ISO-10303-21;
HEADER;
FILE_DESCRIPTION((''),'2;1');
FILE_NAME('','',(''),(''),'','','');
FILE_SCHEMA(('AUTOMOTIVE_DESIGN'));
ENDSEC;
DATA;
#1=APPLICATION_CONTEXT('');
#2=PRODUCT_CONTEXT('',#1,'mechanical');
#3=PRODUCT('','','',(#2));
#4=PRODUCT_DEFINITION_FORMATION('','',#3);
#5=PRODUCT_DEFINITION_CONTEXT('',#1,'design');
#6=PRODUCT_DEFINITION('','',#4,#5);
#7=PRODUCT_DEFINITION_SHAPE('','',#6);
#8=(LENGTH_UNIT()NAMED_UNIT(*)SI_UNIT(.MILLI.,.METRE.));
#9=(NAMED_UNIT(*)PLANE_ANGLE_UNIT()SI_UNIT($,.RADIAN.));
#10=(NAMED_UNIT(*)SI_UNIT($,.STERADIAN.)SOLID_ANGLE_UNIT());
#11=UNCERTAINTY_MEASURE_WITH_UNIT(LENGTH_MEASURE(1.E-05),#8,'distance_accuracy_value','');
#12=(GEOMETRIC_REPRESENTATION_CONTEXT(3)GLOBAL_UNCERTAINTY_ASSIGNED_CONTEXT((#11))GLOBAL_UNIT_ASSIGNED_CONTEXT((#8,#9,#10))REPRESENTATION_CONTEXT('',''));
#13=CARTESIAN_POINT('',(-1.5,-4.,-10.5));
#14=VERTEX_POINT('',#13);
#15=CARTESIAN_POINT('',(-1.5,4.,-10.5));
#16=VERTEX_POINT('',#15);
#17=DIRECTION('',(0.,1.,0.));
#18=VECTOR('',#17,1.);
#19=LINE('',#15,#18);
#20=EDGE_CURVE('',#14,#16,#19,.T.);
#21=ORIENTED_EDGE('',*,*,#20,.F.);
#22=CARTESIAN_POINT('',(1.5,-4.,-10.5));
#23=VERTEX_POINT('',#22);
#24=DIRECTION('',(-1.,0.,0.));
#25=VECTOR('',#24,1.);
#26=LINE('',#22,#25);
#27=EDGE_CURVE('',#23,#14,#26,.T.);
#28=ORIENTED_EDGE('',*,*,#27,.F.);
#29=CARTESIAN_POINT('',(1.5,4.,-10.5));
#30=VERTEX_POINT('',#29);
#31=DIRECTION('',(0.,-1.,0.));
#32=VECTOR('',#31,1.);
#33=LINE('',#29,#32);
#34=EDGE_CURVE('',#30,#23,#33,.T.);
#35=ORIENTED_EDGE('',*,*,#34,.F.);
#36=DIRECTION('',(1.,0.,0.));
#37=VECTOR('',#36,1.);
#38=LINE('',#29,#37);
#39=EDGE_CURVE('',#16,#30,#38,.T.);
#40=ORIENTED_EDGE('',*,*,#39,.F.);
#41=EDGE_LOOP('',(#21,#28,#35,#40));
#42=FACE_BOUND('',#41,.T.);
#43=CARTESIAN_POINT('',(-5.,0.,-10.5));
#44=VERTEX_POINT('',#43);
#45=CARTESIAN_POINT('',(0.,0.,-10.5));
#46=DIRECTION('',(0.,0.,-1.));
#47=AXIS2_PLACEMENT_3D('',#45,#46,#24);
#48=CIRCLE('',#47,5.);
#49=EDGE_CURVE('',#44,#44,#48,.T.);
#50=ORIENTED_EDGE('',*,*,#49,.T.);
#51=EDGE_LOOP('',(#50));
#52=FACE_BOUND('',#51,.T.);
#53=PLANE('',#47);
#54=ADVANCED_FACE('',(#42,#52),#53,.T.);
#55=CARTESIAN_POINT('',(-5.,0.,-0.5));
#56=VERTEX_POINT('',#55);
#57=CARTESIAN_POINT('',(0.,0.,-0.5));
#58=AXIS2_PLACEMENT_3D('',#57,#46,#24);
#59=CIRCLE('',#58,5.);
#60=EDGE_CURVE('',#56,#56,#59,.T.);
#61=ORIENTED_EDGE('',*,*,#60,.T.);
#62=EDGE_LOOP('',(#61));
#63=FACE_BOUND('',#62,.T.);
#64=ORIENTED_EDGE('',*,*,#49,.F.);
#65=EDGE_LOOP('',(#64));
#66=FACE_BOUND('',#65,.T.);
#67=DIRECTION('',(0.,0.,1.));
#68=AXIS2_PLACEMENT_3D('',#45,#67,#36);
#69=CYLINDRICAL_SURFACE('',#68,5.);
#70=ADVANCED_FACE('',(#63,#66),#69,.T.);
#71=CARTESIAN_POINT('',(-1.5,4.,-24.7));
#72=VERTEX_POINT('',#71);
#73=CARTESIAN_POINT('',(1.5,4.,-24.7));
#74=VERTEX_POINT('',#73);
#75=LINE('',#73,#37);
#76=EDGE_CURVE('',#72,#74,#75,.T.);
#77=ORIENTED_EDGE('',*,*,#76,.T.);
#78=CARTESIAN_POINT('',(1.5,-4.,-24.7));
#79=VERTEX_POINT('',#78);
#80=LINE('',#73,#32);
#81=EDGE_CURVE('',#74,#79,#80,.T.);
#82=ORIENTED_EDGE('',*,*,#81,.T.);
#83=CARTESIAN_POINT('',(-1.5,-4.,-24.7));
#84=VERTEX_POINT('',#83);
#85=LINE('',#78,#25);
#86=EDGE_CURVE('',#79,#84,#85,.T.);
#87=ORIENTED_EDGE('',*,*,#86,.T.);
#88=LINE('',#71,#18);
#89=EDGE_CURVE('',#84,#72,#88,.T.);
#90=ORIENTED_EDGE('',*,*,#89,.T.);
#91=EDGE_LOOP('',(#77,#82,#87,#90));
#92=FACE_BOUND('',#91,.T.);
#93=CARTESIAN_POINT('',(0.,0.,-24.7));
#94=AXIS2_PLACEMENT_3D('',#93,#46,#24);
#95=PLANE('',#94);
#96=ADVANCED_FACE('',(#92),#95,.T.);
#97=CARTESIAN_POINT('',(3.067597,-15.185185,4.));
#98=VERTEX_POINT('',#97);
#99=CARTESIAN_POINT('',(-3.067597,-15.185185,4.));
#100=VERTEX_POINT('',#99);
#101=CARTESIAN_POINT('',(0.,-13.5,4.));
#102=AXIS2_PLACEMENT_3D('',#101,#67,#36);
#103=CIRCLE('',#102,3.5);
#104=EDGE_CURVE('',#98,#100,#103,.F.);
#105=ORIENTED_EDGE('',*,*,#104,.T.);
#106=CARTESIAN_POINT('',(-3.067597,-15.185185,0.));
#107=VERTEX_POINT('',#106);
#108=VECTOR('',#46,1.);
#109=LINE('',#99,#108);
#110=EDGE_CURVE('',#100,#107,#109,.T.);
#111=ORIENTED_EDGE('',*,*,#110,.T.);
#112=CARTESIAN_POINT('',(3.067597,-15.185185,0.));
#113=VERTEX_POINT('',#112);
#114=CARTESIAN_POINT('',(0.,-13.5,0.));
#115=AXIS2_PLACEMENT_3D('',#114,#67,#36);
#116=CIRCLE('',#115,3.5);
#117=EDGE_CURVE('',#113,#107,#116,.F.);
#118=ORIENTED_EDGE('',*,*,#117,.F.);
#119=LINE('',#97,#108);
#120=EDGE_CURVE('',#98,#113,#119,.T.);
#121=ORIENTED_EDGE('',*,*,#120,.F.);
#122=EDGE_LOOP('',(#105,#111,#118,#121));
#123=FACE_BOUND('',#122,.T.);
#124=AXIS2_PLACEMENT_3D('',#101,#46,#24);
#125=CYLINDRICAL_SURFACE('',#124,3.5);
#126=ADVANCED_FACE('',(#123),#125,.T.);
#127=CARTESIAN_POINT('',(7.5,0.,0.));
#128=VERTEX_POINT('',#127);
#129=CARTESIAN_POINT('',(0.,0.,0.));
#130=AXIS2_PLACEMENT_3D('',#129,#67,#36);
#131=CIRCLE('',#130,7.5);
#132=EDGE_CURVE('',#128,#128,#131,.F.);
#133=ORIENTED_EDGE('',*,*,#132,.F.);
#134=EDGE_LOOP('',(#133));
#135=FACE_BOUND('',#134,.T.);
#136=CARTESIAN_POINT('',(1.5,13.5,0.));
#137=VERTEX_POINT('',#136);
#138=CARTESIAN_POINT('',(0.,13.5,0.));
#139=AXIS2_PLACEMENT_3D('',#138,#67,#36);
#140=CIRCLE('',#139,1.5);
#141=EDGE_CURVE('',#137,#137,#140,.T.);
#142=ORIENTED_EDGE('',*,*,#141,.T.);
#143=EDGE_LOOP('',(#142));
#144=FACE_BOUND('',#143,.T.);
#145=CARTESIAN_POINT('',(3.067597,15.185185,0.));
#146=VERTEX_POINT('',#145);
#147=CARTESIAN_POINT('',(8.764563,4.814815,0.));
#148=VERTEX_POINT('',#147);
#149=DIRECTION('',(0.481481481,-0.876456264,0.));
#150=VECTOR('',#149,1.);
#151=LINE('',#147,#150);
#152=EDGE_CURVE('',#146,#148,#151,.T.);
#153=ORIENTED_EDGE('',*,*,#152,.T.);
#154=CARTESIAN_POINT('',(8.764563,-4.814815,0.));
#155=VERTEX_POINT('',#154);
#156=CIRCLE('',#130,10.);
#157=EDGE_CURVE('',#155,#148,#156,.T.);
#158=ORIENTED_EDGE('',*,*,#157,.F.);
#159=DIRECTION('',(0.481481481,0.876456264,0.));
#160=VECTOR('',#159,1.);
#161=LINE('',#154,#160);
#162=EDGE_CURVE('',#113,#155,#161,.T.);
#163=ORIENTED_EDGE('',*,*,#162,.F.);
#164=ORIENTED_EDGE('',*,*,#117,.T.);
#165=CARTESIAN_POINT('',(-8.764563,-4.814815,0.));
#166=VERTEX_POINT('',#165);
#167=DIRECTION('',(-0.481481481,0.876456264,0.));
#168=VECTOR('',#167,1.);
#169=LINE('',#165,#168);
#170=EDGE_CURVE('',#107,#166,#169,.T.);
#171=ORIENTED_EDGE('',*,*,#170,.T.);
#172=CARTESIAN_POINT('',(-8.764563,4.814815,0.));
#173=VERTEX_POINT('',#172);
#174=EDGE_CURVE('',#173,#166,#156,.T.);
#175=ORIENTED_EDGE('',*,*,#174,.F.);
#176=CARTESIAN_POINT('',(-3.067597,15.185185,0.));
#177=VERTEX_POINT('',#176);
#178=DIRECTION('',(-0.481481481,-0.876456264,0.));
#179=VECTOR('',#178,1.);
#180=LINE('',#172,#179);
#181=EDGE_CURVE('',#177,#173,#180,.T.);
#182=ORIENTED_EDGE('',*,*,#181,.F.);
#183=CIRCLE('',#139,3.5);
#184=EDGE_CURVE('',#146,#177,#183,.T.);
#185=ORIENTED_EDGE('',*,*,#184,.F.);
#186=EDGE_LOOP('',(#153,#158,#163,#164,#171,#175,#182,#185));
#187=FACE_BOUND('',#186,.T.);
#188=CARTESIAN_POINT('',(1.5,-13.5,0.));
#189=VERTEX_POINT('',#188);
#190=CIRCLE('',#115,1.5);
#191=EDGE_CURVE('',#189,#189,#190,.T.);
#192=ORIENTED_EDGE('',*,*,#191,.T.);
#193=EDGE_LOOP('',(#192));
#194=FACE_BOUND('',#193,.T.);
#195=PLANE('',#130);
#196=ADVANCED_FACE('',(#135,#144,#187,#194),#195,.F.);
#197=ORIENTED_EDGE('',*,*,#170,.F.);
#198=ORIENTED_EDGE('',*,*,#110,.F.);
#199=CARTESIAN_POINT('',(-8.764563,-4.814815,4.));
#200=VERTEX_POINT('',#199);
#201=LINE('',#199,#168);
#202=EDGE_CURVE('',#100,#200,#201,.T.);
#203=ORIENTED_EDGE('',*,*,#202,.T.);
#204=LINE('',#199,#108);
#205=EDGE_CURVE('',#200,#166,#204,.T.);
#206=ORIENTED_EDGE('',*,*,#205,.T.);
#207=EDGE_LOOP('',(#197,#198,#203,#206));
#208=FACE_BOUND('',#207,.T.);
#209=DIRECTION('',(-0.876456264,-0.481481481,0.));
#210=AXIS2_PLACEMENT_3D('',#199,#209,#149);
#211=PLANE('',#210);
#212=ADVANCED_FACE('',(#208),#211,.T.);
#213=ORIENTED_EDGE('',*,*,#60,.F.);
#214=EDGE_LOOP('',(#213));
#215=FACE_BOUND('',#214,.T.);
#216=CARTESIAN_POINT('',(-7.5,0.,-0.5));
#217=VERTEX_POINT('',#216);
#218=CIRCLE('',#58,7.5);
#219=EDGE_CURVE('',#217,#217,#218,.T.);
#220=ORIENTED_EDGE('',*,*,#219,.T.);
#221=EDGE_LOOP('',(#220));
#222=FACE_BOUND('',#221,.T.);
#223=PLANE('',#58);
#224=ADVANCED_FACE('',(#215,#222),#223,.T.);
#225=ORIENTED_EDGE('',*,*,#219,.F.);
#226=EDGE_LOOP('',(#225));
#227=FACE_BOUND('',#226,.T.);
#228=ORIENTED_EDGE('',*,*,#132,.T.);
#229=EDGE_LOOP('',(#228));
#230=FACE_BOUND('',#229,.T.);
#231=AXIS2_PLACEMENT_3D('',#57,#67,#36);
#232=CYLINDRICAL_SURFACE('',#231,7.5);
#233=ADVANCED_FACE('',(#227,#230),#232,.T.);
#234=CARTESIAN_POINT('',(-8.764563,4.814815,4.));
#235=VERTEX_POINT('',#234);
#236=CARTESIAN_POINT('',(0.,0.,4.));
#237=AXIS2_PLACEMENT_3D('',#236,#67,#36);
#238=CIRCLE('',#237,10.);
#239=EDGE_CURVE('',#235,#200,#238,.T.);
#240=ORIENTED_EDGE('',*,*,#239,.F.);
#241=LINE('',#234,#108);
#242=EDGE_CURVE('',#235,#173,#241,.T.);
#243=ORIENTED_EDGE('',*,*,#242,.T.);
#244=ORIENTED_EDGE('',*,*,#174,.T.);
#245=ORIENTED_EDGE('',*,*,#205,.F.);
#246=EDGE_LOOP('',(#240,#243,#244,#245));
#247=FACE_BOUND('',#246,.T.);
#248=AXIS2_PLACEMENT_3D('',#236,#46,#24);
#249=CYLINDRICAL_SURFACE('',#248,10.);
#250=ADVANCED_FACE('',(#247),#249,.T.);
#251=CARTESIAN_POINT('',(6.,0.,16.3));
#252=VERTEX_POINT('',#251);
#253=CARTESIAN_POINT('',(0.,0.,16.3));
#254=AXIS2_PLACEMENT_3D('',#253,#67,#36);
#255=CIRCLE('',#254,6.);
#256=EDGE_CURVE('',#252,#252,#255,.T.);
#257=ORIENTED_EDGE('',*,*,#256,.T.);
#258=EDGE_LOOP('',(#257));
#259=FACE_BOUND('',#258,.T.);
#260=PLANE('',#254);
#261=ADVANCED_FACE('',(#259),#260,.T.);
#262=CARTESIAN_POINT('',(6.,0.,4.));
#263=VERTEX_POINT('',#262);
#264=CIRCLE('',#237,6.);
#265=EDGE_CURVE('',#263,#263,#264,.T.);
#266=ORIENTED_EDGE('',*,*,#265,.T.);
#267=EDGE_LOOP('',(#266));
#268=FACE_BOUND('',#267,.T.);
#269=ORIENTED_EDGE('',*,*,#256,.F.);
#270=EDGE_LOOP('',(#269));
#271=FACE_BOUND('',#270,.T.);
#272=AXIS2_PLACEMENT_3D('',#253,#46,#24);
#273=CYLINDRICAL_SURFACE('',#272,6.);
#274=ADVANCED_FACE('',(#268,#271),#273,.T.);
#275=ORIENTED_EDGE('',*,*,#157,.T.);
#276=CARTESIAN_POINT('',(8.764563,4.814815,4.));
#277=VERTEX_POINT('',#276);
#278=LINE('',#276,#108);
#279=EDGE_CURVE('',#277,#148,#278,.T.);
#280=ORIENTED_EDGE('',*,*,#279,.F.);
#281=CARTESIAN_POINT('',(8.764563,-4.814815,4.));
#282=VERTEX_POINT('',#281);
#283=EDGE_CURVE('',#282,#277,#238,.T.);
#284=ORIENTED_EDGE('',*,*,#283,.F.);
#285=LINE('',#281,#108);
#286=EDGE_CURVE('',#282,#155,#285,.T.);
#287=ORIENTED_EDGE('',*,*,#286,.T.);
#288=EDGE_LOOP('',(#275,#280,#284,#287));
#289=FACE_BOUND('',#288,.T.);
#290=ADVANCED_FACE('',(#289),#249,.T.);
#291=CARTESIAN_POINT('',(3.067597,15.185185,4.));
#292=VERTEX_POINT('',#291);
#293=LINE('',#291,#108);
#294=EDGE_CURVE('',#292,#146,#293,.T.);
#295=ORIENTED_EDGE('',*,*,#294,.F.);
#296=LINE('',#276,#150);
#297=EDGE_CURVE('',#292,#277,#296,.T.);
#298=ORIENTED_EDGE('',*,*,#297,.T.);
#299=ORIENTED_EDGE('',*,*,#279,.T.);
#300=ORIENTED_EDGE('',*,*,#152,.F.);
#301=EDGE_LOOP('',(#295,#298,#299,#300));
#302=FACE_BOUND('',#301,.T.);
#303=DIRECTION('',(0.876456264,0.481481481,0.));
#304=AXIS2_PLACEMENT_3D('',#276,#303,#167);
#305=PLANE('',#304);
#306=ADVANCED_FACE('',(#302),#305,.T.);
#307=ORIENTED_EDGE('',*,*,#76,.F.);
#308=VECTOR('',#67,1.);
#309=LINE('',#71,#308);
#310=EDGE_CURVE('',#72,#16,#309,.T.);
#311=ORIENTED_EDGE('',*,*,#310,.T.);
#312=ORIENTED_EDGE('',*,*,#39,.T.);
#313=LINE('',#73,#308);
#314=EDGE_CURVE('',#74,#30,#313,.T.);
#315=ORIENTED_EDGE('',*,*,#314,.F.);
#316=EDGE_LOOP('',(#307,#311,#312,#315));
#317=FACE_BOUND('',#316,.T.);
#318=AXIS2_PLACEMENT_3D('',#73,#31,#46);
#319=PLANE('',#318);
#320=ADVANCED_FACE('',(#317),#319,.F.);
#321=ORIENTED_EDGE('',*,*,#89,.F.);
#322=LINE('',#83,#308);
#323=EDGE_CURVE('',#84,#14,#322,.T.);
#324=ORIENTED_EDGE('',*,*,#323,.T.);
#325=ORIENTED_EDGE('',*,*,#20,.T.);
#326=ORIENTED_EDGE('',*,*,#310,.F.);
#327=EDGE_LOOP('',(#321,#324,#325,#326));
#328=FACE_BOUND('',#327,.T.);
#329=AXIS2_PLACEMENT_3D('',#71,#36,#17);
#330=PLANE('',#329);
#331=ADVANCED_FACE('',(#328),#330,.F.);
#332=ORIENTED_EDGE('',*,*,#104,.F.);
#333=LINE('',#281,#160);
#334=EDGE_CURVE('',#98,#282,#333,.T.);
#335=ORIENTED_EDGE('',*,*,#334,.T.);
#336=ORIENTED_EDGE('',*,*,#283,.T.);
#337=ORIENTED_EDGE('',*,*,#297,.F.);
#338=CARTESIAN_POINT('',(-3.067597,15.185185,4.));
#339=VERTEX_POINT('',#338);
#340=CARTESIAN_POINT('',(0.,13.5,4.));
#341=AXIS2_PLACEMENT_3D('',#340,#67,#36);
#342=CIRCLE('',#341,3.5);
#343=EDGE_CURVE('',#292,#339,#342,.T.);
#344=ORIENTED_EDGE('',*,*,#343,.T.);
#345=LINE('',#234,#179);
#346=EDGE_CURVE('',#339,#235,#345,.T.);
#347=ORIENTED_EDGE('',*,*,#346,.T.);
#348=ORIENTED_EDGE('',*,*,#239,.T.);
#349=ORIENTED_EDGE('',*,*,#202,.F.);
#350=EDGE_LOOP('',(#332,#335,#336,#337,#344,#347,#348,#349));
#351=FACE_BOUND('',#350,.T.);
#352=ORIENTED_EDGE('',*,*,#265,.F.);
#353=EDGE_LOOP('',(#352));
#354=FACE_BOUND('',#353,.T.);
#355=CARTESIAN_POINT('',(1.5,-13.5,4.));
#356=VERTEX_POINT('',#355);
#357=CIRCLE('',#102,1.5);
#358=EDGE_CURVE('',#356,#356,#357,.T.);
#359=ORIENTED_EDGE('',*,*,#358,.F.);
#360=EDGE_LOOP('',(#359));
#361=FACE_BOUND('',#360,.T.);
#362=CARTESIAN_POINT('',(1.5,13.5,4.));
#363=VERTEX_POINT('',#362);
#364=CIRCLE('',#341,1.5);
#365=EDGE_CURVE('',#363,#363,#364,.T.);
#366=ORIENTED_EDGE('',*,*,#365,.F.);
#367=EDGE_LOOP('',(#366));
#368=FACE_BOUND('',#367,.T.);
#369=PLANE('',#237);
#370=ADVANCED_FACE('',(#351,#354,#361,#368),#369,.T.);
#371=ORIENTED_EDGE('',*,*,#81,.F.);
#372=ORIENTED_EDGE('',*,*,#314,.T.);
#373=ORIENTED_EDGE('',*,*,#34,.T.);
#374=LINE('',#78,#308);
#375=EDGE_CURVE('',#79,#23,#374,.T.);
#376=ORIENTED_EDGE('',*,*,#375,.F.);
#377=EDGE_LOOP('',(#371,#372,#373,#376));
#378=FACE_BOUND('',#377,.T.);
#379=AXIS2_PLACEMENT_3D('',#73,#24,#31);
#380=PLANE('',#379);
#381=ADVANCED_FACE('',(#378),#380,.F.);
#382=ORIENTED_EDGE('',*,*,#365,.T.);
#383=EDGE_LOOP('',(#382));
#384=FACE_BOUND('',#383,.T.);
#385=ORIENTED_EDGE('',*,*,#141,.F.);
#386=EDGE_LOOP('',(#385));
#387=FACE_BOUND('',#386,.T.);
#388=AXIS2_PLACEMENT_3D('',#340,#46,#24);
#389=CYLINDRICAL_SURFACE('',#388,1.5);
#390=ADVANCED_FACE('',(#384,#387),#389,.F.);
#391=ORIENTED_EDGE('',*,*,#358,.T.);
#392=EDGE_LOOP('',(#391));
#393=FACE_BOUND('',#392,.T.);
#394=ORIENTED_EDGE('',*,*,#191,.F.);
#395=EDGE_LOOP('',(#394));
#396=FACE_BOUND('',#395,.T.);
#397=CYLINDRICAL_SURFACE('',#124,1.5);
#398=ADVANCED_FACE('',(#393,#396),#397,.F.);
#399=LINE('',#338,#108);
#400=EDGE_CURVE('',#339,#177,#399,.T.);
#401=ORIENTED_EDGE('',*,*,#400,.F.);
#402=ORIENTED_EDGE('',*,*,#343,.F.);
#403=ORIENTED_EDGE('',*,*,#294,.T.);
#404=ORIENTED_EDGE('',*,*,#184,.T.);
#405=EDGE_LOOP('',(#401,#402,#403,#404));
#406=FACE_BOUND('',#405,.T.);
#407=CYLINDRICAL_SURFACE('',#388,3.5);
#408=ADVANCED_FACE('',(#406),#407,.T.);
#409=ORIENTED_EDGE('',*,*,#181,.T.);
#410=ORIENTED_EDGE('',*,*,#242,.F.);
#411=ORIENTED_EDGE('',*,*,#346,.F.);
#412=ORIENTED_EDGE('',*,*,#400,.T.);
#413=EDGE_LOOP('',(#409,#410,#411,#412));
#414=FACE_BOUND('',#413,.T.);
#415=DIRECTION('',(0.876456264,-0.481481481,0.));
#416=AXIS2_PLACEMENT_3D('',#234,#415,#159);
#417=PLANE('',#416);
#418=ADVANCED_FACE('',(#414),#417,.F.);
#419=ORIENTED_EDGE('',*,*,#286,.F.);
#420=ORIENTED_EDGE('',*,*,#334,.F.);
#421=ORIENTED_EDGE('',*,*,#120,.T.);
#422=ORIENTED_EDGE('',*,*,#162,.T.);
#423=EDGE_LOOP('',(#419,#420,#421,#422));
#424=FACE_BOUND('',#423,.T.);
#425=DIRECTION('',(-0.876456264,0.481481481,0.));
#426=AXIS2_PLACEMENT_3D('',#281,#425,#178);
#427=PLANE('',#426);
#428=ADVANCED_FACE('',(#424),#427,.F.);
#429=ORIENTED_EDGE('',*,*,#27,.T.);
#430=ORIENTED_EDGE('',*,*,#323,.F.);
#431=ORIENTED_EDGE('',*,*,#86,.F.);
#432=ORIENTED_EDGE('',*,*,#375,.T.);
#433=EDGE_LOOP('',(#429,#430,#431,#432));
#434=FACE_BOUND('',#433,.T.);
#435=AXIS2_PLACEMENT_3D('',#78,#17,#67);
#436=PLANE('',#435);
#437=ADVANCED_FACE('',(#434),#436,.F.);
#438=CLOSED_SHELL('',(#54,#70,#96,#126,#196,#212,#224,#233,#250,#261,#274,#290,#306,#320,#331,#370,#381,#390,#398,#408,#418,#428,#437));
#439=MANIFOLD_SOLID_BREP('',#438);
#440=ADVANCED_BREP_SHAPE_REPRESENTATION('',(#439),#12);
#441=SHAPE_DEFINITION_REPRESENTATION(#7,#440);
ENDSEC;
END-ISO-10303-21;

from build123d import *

# Parameters (mm, degrees)
SKETCH1_R           = 3.5
SKETCH1_R_2         = 1.5
SKETCH1_R_3         = 10
BOSS_EXTRUDE1_DEPTH = 4
SKETCH2_R           = 6
BOSS_EXTRUDE2_DEPTH = 12.3
SKETCH3_R           = 7.5
BOSS_EXTRUDE3_DEPTH = 0.5
SKETCH4_W           = 3
SKETCH4_H           = 8
BOSS_EXTRUDE4_DEPTH = 24.2
SKETCH5_R           = 5
BOSS_EXTRUDE5_DEPTH = 10


with BuildPart() as part:
    # Sketch1 → Boss-Extrude1 (new body)
    # profile 1 of 7: a face of its own
    with BuildSketch(Plane.XY):
        with Locations((0, -13.5)):
            Circle(SKETCH1_R)
        with Locations((0, -13.5)):
            Circle(SKETCH1_R_2, mode=Mode.SUBTRACT)
    # profile 2 of 7: a face of its own
    with BuildSketch(Plane.XY):
        with BuildLine():
            ThreePointArc((8.764562642, -4.814814815), (5.091750776, -8.606629656), (9e-09, -10))
            ThreePointArc((9e-09, -10), (2.474873737, -11.025126269), (3.5, -13.5))
            ThreePointArc((3.5, -13.5), (3.390176193, -14.369888143), (3.067596925, -15.185185185))
            Line((3.067596925, -15.185185185), (8.764562642, -4.814814815))
        make_face()
    # profile 3 of 7: a face of its own
    with BuildSketch(Plane.XY):
        Circle(SKETCH1_R_3)
    # profile 4 of 7: a face of its own
    with BuildSketch(Plane.XY):
        with BuildLine():
            Line((8.764562642, 4.814814815), (3.067596925, 15.185185185))
            ThreePointArc((3.067596925, 15.185185185), (3.390176193, 14.369888143), (3.5, 13.5))
            ThreePointArc((3.5, 13.5), (2.474873734, 11.025126266), (0, 10))
            ThreePointArc((0, 10), (5.091750772, 8.606629658), (8.764562642, 4.814814815))
        make_face()
    # profile 5 of 7: a face of its own
    with BuildSketch(Plane.XY):
        with Locations((0, 13.5)):
            Circle(SKETCH1_R)
        with Locations((0, 13.5)):
            Circle(SKETCH1_R_2, mode=Mode.SUBTRACT)
    # profile 6 of 7: a face of its own
    with BuildSketch(Plane.XY):
        with BuildLine():
            ThreePointArc((0, 10), (-3.01232038, 11.71788723), (-3.067596925, 15.185185185))
            Line((-3.067596925, 15.185185185), (-8.764562642, 4.814814815))
            ThreePointArc((-8.764562642, 4.814814815), (-5.091750772, 8.606629658), (0, 10))
        make_face()
    # profile 7 of 7: a face of its own
    with BuildSketch(Plane.XY):
        with BuildLine():
            ThreePointArc((9e-09, -10), (-5.091750768, -8.606629661), (-8.764562642, -4.814814815))
            Line((-8.764562642, -4.814814815), (-3.067596925, -15.185185185))
            ThreePointArc((-3.067596925, -15.185185185), (-3.012320378, -11.717887226), (9e-09, -10))
        make_face()
    extrude(amount=BOSS_EXTRUDE1_DEPTH)

    # Sketch2 → Boss-Extrude2 (add)
    with BuildSketch(Plane.XY.offset(4)):
        Circle(SKETCH2_R)
    extrude(amount=BOSS_EXTRUDE2_DEPTH)

    # Sketch3 → Boss-Extrude3 (add)
    with BuildSketch(Plane(origin=(0, 0, 0), x_dir=(-1, 0, 0), z_dir=(0, 0, -1))):
        with Locations(Location((0, 0, 0), (0, 0, 180))):
            Circle(SKETCH3_R)
    extrude(amount=BOSS_EXTRUDE3_DEPTH)

    # Sketch4 → Boss-Extrude4 (add)
    with BuildSketch(Plane(origin=(0, 0, -0.5), x_dir=(-1, 0, 0), z_dir=(0, 0, -1))):
        Rectangle(SKETCH4_W, SKETCH4_H)
    extrude(amount=BOSS_EXTRUDE4_DEPTH)

    # Sketch5 → Boss-Extrude5 (add)
    with BuildSketch(Plane(origin=(0, 0, -0.5), x_dir=(-1, 0, 0), z_dir=(0, 0, -1))):
        Circle(SKETCH5_R)
    extrude(amount=BOSS_EXTRUDE5_DEPTH)


solid = part.part
